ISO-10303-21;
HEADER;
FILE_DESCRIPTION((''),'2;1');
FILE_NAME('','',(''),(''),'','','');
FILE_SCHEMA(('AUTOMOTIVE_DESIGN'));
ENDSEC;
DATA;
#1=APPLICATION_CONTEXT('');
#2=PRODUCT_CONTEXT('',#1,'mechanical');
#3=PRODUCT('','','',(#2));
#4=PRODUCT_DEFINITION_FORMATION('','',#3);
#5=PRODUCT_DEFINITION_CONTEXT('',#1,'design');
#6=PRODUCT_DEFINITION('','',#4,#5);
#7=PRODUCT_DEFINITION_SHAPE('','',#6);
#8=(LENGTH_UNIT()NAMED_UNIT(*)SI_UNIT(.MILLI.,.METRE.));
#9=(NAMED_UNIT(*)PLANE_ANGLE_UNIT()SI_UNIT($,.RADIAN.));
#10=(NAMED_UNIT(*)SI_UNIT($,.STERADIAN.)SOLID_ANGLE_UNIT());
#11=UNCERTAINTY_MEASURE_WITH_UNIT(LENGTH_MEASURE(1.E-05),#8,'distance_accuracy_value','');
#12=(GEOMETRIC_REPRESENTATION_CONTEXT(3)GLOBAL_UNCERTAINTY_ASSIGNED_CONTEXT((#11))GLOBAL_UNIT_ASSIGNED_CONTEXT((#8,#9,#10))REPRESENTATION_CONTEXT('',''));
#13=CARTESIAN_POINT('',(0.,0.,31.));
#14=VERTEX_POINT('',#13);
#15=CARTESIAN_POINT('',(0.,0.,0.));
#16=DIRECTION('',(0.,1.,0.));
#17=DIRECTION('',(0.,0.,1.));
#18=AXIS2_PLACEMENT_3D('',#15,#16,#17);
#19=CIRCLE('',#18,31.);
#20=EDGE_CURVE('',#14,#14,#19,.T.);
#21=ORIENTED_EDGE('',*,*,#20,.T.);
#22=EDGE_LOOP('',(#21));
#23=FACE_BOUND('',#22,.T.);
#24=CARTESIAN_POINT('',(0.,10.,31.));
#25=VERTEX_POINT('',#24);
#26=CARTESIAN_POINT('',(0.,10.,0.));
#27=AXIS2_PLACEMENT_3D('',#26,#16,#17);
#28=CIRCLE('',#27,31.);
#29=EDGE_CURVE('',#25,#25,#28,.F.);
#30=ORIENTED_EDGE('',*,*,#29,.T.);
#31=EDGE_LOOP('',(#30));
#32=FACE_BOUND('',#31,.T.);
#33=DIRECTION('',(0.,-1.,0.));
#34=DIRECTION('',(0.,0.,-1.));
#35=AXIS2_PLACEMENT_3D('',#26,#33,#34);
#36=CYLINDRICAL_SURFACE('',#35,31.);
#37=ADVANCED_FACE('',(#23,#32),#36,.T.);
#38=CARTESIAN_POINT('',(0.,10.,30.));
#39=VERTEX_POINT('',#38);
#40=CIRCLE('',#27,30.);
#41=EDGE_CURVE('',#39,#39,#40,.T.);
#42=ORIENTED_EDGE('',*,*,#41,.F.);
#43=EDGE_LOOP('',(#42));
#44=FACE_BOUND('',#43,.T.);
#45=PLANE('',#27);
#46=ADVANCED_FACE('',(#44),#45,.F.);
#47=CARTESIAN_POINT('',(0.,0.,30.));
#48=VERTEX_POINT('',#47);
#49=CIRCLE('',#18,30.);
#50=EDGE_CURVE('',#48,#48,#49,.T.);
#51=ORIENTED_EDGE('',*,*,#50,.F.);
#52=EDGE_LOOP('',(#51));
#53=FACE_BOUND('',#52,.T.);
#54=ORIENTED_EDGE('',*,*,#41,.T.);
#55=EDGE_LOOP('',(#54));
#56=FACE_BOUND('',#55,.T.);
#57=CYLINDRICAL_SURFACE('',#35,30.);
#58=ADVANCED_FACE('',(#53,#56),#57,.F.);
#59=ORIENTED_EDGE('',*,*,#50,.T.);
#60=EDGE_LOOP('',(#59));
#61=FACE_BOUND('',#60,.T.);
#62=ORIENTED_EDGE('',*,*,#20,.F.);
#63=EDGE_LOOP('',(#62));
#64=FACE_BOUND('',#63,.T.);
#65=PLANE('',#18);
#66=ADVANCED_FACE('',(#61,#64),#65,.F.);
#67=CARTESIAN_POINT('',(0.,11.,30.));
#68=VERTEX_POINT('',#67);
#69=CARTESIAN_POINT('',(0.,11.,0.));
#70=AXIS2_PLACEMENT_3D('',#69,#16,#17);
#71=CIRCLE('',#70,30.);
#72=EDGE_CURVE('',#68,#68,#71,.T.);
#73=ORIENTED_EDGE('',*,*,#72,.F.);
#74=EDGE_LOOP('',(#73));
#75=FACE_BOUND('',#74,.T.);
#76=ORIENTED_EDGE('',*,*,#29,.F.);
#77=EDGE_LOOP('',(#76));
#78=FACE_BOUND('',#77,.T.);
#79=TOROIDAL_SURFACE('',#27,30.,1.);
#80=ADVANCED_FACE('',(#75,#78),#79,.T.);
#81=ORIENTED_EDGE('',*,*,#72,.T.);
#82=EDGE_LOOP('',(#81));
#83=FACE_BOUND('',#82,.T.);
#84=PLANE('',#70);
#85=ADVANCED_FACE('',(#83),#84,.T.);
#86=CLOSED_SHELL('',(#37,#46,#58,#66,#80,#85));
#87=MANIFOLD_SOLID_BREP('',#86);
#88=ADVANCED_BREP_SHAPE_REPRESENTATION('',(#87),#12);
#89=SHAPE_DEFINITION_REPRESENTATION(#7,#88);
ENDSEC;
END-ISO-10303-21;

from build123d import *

# Parameters (mm, degrees)
SKETCH1_R           = 31
SKETCH1_R_2         = 30
BOSS_EXTRUDE1_DEPTH = 10
SKETCH2_R           = 31
BOSS_EXTRUDE2_DEPTH = 1
FILLET1_R           = 1


with BuildPart() as part:
    # Sketch1 → Boss-Extrude1 (new body)
    with BuildSketch(Plane(origin=(0, 0, 0), x_dir=(1, 0, 0), z_dir=(0, 1, 0))):
        with Locations(Location((0, 0, 0), (0, 0, 270))):
            Circle(SKETCH1_R)
        with Locations(Location((0, 0, 0), (0, 0, 270))):
            Circle(SKETCH1_R_2, mode=Mode.SUBTRACT)
    extrude(amount=BOSS_EXTRUDE1_DEPTH)

    # Sketch2 → Boss-Extrude2 (add)
    with BuildSketch(Plane(origin=(0, 10, 0), x_dir=(1, 0, 0), z_dir=(0, 1, 0))):
        with Locations(Location((0, 0, 0), (0, 0, 270))):
            Circle(SKETCH2_R)
    extrude(amount=BOSS_EXTRUDE2_DEPTH)

    # Fillet1
    fillet1_edges = [part.edges().sort_by_distance(p)[0] for p in [
        (0, 11, -31),
    ]]
    fillet(fillet1_edges, radius=FILLET1_R)


solid = part.part
